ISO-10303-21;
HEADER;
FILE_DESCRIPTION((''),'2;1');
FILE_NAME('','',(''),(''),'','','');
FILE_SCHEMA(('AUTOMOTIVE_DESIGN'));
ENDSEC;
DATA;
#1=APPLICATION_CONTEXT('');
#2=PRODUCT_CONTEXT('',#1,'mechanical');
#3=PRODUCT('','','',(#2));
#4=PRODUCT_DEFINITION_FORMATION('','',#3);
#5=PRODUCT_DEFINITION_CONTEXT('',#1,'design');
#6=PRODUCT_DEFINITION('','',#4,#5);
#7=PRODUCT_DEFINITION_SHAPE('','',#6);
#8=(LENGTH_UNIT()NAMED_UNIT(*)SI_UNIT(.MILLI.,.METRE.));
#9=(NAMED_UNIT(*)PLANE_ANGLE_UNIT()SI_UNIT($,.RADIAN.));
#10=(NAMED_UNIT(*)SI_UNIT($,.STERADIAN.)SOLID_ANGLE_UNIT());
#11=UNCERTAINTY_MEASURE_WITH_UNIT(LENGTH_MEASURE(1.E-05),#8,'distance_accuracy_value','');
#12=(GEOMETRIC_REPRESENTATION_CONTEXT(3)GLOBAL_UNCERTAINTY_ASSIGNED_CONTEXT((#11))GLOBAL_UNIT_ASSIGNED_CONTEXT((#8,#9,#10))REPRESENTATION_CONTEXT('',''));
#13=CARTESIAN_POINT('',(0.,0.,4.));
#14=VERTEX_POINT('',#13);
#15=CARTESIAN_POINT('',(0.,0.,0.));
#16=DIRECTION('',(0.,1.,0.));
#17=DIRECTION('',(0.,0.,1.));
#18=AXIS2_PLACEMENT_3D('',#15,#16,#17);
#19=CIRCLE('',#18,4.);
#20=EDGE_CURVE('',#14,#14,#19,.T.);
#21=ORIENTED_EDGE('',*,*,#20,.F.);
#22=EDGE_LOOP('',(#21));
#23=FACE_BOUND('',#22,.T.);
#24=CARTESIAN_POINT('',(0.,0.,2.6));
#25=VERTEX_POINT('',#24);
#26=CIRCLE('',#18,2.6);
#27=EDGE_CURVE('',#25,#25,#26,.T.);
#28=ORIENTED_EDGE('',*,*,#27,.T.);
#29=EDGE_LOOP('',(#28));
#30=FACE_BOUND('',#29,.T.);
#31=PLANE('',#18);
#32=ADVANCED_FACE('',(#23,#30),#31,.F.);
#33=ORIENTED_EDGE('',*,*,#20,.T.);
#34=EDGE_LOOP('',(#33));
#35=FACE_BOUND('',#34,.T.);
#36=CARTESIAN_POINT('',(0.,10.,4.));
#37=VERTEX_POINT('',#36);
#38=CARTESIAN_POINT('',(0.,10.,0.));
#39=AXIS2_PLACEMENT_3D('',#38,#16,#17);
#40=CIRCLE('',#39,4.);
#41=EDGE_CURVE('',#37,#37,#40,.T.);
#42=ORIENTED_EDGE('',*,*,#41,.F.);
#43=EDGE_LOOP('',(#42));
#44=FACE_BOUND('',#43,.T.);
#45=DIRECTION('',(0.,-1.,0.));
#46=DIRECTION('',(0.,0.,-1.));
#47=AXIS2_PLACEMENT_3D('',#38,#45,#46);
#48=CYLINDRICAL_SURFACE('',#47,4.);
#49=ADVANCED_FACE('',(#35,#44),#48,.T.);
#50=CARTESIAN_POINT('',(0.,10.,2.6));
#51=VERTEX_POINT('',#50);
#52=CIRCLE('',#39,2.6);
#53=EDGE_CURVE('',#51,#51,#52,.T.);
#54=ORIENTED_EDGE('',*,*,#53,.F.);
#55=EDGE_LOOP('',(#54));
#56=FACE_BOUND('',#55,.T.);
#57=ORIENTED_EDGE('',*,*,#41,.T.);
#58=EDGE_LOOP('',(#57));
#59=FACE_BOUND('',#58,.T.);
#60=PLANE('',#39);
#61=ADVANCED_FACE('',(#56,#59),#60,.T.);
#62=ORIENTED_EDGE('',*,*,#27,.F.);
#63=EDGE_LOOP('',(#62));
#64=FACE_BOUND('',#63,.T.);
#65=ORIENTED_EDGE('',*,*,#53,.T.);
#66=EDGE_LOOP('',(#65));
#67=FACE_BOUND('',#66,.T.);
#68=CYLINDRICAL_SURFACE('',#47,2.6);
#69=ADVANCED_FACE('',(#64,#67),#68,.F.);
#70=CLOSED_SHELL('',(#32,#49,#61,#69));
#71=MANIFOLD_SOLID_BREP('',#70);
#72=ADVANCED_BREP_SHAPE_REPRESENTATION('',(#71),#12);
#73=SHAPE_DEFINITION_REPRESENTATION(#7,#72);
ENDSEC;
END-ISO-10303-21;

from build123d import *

# Parameters (mm, degrees)
SKETCH_1_R      = 4
SKETCH_1_R_2    = 2.6
EXTRUDE_1_DEPTH = 10


with BuildPart() as part:
    # 草图1 → 凸台-拉伸1 (new body)
    with BuildSketch(Plane(origin=(0, 0, 0), x_dir=(1, 0, 0), z_dir=(0, 1, 0))):
        with Locations(Location((0, 0, 0), (0, 0, 270))):
            Circle(SKETCH_1_R)
        with Locations(Location((0, 0, 0), (0, 0, 270))):
            Circle(SKETCH_1_R_2, mode=Mode.SUBTRACT)
    extrude(amount=EXTRUDE_1_DEPTH)


solid = part.part
